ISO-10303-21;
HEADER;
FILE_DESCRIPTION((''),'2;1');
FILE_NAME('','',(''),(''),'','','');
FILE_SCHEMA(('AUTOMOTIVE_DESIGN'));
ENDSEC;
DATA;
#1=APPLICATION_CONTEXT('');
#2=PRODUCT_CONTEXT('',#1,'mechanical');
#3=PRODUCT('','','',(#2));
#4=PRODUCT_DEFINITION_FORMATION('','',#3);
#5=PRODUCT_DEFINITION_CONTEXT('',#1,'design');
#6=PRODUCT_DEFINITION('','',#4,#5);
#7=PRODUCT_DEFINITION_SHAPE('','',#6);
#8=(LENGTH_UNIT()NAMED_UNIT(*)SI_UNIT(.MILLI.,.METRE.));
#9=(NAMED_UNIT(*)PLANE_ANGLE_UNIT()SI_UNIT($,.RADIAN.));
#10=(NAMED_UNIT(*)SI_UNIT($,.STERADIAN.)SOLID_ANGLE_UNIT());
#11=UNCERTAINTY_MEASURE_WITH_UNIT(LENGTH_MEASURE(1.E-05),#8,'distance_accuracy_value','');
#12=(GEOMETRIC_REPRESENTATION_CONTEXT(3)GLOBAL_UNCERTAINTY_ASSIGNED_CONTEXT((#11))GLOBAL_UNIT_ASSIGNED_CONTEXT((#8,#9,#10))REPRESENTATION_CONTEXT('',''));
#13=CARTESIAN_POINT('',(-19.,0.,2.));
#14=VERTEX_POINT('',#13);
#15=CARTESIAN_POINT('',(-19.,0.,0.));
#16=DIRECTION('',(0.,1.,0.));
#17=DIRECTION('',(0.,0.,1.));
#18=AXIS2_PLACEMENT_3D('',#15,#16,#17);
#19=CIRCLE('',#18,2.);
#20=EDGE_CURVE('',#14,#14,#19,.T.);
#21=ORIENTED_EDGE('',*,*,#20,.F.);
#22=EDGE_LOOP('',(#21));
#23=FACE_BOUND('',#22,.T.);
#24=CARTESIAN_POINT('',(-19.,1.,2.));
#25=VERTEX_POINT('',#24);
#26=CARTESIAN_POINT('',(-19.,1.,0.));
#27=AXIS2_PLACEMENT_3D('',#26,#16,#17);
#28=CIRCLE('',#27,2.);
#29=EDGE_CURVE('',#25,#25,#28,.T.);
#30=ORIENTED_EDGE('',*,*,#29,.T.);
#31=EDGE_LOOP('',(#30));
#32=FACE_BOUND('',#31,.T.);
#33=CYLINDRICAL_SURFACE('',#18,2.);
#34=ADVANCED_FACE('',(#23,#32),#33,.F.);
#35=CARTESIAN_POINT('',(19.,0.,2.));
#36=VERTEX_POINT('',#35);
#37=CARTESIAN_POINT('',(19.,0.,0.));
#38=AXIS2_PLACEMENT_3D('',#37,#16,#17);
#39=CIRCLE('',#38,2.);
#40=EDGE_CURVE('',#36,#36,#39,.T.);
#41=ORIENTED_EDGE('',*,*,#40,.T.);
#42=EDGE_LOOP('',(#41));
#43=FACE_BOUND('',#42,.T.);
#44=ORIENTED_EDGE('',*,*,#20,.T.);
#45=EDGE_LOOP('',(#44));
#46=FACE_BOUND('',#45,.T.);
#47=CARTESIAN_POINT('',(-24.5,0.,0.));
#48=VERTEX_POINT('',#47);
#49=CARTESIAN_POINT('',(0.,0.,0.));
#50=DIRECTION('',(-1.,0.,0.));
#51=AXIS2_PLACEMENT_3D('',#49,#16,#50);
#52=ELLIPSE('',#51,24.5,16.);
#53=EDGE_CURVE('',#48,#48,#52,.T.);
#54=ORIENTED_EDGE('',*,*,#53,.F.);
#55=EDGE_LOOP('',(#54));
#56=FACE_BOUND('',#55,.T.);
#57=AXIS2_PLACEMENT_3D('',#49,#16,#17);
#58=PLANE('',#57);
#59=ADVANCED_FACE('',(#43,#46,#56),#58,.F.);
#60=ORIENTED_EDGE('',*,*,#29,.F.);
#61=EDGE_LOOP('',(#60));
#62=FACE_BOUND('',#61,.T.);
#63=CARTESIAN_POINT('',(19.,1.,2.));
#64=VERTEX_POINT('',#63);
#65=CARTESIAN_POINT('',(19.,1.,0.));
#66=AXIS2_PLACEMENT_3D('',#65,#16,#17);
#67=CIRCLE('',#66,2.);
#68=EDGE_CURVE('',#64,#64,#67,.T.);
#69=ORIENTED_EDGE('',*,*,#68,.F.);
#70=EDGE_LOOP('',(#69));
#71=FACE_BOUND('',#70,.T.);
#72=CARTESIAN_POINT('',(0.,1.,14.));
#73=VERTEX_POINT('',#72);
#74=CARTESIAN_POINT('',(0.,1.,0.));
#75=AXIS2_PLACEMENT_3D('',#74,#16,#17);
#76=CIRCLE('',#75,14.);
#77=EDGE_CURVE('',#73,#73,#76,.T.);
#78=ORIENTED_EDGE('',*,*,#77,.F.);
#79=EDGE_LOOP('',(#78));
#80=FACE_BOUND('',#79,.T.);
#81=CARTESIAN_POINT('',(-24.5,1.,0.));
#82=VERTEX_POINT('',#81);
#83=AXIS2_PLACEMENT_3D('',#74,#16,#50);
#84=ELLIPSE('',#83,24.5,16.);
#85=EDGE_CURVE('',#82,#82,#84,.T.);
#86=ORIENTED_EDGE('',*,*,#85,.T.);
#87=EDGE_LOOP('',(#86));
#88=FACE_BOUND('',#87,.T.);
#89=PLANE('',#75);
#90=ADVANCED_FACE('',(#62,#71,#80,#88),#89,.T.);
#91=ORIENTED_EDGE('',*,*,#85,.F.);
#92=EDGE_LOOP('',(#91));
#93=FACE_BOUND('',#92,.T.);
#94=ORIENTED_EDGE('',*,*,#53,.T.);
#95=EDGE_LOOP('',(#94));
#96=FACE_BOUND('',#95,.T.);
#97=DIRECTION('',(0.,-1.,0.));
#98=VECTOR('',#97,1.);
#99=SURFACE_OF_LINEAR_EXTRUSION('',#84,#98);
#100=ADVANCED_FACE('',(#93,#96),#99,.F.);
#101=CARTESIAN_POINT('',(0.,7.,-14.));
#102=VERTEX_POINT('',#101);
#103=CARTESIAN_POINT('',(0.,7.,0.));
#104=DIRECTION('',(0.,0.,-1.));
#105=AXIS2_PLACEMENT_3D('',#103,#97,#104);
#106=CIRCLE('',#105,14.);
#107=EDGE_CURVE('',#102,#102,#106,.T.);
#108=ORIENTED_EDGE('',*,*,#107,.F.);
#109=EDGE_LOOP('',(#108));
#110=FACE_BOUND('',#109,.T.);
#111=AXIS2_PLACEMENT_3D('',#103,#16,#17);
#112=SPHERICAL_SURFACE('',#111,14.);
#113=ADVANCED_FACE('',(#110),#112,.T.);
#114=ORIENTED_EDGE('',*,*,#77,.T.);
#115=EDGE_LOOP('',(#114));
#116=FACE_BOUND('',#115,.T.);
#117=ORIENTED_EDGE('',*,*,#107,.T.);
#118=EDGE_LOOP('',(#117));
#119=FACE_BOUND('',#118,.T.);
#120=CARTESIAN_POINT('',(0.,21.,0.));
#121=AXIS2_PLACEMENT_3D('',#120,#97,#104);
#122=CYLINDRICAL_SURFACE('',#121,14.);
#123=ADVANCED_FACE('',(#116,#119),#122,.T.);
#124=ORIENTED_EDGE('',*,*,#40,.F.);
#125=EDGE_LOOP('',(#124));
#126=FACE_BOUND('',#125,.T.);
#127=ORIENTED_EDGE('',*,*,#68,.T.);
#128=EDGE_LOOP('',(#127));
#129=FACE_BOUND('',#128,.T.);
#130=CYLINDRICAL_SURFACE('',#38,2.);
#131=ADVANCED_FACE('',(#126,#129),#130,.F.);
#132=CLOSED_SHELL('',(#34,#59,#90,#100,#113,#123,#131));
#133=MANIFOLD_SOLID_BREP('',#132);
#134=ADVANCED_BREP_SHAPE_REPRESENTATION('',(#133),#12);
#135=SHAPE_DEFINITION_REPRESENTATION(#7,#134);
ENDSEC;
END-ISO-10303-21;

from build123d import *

# Parameters (mm, degrees)
SKETCH1_RX           = 24.5
SKETCH1_RY           = 16
BASE_DEPTH           = 1
SKETCH2_R            = 14
SUPORTE_ESFERA_DEPTH = 20
FILLET1_R            = 14
SKETCH3_R            = 2
FUROS_BASE_DEPTH     = 2


with BuildPart() as part:
    # Sketch1 → Base (new body)
    with BuildSketch(Plane(origin=(0, 0, 0), x_dir=(1, 0, 0), z_dir=(0, 1, 0))):
        with Locations(Location((0, 0), (0, 0, 180))):
            Ellipse(SKETCH1_RX, SKETCH1_RY)
    extrude(amount=BASE_DEPTH)

    # Sketch2 → Suporte-esfera (add)
    with BuildSketch(Plane(origin=(0, 1, 0), x_dir=(1, 0, 0), z_dir=(0, 1, 0))):
        Circle(SKETCH2_R)
    extrude(amount=SUPORTE_ESFERA_DEPTH)

    # Fillet1
    fillet1_edges = [part.edges().sort_by_distance(p)[0] for p in [
        (-14, 21, 0),
    ]]
    fillet(fillet1_edges, radius=FILLET1_R)

    # Sketch3 → Furos-base (cut, through all)
    with BuildSketch(Plane(origin=(0, 1, 0), x_dir=(1, 0, 0), z_dir=(0, 1, 0))):
        with Locations((-19, 0)):
            Circle(SKETCH3_R)
        with Locations((19, 0)):
            Circle(SKETCH3_R)
    extrude(amount=-FUROS_BASE_DEPTH, mode=Mode.SUBTRACT)


solid = part.part
